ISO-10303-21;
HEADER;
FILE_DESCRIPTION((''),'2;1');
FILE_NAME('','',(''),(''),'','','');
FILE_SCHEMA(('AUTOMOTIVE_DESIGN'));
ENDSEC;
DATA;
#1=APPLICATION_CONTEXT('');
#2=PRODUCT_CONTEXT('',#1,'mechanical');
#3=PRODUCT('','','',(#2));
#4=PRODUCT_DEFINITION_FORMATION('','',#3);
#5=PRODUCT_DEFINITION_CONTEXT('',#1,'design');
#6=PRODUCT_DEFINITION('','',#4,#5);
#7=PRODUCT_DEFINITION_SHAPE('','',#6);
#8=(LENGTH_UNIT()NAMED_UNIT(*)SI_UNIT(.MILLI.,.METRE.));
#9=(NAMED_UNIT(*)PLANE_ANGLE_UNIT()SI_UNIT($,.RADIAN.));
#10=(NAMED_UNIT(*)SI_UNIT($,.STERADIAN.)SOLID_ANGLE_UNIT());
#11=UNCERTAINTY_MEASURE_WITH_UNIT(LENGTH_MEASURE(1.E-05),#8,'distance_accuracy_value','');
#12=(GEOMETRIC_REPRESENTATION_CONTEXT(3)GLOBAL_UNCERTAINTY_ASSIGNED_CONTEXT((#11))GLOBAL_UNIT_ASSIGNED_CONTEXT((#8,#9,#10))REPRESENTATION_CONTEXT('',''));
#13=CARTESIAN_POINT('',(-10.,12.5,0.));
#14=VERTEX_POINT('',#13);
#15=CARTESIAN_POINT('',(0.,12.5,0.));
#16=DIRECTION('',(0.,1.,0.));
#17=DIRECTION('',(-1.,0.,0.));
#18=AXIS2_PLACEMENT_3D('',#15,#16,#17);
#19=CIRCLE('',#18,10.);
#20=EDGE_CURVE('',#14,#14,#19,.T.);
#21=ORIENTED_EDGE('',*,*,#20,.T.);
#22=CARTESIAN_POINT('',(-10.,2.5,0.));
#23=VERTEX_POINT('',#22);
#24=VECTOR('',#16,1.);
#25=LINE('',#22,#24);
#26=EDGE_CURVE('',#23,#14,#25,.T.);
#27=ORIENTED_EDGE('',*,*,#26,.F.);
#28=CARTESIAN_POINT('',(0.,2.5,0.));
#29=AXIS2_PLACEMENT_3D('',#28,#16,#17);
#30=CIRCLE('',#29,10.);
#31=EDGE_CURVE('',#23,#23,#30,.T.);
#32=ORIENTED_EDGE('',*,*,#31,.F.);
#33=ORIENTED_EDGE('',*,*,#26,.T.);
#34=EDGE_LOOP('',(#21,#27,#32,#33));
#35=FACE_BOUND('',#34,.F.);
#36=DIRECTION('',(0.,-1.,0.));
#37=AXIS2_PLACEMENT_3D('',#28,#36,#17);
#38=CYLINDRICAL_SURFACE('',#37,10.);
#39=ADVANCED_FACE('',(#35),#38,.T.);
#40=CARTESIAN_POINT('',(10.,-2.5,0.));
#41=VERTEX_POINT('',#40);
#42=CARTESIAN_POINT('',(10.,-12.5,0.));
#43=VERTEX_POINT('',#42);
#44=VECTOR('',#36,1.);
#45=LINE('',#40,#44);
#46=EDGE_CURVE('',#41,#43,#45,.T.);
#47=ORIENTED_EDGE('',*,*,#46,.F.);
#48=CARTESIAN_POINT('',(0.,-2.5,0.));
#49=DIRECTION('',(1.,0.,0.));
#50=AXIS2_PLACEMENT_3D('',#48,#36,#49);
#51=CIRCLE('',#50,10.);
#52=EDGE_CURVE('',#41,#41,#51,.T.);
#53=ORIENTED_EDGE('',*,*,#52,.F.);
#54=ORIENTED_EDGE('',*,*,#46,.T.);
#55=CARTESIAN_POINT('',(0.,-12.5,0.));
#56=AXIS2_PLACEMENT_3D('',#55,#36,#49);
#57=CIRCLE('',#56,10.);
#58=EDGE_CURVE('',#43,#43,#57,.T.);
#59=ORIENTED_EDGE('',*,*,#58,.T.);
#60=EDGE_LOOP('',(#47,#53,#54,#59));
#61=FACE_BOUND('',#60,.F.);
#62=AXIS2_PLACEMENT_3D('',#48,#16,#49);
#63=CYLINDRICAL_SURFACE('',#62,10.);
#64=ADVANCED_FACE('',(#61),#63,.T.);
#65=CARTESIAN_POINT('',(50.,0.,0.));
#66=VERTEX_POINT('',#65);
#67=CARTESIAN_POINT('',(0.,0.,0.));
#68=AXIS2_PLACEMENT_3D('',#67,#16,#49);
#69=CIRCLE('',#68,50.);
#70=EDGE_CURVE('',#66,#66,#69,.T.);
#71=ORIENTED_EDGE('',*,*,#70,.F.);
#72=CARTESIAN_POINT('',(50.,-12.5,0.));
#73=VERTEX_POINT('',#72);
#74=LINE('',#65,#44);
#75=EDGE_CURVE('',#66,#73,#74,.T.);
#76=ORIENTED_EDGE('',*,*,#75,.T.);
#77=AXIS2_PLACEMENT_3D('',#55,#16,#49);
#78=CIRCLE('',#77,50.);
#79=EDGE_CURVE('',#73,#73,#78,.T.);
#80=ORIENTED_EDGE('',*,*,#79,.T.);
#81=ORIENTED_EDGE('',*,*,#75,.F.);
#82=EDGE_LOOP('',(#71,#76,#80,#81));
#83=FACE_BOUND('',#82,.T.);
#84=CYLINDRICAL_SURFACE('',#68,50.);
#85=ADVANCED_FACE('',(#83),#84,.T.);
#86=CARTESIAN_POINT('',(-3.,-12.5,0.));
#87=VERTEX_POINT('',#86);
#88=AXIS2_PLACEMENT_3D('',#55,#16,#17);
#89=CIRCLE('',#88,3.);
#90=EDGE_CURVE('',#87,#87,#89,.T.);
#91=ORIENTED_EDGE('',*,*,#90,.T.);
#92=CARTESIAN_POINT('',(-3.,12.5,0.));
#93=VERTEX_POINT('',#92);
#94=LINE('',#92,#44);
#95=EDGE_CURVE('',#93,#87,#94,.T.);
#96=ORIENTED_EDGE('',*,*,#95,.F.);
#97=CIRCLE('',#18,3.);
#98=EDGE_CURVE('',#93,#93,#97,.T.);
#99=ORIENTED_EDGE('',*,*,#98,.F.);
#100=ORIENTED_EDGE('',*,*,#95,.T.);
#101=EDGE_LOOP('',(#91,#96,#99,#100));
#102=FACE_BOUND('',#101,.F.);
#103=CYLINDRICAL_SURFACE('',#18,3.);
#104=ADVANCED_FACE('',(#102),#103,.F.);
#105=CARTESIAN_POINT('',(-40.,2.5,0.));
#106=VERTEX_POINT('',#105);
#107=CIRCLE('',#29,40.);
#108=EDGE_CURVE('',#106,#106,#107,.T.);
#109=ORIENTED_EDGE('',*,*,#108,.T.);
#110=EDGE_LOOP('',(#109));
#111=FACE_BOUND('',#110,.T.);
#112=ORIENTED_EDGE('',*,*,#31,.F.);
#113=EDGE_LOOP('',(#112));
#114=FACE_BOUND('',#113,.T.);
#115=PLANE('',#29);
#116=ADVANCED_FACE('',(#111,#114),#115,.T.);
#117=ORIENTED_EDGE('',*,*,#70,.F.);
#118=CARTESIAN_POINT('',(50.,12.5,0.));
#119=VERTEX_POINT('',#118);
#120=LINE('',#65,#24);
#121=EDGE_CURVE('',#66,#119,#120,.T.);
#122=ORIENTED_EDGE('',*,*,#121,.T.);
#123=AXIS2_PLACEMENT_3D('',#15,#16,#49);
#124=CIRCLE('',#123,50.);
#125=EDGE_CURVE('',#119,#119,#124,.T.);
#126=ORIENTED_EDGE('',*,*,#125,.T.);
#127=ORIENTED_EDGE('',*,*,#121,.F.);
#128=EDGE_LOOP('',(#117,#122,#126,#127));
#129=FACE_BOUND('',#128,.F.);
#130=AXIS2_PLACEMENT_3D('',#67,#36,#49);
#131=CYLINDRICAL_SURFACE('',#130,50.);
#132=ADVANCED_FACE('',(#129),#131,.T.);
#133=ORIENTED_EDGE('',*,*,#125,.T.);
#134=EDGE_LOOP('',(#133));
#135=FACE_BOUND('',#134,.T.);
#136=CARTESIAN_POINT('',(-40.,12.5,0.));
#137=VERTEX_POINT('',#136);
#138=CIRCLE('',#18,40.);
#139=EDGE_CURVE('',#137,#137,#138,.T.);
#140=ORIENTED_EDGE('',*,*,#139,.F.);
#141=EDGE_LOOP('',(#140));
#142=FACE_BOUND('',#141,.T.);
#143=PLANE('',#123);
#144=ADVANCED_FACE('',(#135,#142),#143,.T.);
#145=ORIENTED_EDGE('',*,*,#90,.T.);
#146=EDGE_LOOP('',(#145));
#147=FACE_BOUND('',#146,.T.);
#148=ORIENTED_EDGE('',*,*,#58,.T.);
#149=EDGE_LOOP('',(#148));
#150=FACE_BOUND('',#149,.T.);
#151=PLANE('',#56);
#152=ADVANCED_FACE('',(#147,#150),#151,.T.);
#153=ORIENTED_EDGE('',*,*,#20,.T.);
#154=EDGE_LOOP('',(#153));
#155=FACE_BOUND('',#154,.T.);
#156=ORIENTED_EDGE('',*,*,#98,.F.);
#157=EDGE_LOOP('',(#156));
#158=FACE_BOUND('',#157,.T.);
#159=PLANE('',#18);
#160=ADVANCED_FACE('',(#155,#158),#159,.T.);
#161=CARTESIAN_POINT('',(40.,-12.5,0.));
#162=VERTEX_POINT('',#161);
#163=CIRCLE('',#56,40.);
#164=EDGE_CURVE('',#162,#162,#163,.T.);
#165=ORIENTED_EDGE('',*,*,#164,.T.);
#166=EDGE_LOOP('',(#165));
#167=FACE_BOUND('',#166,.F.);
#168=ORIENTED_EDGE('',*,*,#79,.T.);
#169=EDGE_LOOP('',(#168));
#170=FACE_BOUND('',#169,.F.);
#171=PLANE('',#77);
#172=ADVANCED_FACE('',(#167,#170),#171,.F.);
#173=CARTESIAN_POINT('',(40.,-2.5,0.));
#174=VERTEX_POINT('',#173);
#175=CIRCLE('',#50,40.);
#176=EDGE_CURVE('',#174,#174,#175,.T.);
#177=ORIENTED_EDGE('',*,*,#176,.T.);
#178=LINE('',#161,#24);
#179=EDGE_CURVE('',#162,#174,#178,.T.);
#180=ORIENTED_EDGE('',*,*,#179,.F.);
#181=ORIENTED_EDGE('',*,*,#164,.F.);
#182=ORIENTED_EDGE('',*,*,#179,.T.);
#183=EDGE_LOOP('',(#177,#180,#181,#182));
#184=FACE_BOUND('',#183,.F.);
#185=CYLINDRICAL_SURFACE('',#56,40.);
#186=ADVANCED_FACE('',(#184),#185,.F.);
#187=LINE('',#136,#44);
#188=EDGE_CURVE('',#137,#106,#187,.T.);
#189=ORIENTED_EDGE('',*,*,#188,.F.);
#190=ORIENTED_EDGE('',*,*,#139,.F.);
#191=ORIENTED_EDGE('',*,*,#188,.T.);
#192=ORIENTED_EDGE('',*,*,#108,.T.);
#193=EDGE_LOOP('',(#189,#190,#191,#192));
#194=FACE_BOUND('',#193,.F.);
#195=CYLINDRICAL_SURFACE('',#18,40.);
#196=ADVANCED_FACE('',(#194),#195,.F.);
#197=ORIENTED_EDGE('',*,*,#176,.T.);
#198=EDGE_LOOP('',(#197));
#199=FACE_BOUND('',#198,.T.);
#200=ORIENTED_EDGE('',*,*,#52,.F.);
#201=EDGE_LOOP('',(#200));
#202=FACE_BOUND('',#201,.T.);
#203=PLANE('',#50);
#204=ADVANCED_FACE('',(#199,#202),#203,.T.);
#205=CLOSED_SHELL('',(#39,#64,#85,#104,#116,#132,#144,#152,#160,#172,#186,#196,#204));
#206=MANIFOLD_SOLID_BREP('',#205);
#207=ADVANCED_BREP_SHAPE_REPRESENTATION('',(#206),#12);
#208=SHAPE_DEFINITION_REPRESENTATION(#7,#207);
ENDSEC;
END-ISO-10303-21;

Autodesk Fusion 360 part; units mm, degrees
sketch "Sketch1" plane through (0, 0, 0) normal (0, 1, 0) x (1, 0, 0)
  circle A0 centre (0, 0) radius 50
  dimension "d1" = 100
extrude "Extrude1" add sketch "Sketch1" along normal mid plane 25
sketch "Sketch2" plane through (0, -12.5, 0) normal (0, -1, 0) x (1, 0, 0)
  circle A0 centre (0, 0) radius 50
  circle A1 centre (0, 0) radius 40
  dimension "d4" = 80
extrude "Extrude2" cut sketch "Sketch2" against normal blind 10 contours A1
sketch "Sketch3" plane through (0, 12.5, 0) normal (0, 1, 0) x (-1, 0, 0)
  circle A0 centre (0, 0) radius 50
  circle A1 centre (0, 0) radius 40
  dimension "d7" = 80
extrude "Extrude3" cut sketch "Sketch3" against normal blind 10 contours A1
sketch "Sketch4" plane through (0, -2.5, 0) normal (0, -1, 0) x (1, 0, 0)
  circle A0 centre (0, 0) radius 40
  circle A1 centre (0, 0) radius 10
  dimension "d10" = 20
extrude "Extrude4" add sketch "Sketch4" along normal blind 10 contours A1
sketch "Sketch5" plane through (0, 2.5, 0) normal (0, 1, 0) x (-1, 0, 0)
  circle A0 centre (0, 0) radius 40
  circle A1 centre (0, 0) radius 10
  dimension "d13" = 20
extrude "Extrude5" add sketch "Sketch5" along normal blind 10 contours A1
sketch "Sketch6" plane through (0, 12.5, 0) normal (0, 1, 0) x (-1, 0, 0)
  circle A0 centre (0, 0) radius 10
  circle A1 centre (0, 0) radius 3
  dimension "d16" = 6
extrude "Extrude6" cut sketch "Sketch6" against normal blind 25 contours A1
